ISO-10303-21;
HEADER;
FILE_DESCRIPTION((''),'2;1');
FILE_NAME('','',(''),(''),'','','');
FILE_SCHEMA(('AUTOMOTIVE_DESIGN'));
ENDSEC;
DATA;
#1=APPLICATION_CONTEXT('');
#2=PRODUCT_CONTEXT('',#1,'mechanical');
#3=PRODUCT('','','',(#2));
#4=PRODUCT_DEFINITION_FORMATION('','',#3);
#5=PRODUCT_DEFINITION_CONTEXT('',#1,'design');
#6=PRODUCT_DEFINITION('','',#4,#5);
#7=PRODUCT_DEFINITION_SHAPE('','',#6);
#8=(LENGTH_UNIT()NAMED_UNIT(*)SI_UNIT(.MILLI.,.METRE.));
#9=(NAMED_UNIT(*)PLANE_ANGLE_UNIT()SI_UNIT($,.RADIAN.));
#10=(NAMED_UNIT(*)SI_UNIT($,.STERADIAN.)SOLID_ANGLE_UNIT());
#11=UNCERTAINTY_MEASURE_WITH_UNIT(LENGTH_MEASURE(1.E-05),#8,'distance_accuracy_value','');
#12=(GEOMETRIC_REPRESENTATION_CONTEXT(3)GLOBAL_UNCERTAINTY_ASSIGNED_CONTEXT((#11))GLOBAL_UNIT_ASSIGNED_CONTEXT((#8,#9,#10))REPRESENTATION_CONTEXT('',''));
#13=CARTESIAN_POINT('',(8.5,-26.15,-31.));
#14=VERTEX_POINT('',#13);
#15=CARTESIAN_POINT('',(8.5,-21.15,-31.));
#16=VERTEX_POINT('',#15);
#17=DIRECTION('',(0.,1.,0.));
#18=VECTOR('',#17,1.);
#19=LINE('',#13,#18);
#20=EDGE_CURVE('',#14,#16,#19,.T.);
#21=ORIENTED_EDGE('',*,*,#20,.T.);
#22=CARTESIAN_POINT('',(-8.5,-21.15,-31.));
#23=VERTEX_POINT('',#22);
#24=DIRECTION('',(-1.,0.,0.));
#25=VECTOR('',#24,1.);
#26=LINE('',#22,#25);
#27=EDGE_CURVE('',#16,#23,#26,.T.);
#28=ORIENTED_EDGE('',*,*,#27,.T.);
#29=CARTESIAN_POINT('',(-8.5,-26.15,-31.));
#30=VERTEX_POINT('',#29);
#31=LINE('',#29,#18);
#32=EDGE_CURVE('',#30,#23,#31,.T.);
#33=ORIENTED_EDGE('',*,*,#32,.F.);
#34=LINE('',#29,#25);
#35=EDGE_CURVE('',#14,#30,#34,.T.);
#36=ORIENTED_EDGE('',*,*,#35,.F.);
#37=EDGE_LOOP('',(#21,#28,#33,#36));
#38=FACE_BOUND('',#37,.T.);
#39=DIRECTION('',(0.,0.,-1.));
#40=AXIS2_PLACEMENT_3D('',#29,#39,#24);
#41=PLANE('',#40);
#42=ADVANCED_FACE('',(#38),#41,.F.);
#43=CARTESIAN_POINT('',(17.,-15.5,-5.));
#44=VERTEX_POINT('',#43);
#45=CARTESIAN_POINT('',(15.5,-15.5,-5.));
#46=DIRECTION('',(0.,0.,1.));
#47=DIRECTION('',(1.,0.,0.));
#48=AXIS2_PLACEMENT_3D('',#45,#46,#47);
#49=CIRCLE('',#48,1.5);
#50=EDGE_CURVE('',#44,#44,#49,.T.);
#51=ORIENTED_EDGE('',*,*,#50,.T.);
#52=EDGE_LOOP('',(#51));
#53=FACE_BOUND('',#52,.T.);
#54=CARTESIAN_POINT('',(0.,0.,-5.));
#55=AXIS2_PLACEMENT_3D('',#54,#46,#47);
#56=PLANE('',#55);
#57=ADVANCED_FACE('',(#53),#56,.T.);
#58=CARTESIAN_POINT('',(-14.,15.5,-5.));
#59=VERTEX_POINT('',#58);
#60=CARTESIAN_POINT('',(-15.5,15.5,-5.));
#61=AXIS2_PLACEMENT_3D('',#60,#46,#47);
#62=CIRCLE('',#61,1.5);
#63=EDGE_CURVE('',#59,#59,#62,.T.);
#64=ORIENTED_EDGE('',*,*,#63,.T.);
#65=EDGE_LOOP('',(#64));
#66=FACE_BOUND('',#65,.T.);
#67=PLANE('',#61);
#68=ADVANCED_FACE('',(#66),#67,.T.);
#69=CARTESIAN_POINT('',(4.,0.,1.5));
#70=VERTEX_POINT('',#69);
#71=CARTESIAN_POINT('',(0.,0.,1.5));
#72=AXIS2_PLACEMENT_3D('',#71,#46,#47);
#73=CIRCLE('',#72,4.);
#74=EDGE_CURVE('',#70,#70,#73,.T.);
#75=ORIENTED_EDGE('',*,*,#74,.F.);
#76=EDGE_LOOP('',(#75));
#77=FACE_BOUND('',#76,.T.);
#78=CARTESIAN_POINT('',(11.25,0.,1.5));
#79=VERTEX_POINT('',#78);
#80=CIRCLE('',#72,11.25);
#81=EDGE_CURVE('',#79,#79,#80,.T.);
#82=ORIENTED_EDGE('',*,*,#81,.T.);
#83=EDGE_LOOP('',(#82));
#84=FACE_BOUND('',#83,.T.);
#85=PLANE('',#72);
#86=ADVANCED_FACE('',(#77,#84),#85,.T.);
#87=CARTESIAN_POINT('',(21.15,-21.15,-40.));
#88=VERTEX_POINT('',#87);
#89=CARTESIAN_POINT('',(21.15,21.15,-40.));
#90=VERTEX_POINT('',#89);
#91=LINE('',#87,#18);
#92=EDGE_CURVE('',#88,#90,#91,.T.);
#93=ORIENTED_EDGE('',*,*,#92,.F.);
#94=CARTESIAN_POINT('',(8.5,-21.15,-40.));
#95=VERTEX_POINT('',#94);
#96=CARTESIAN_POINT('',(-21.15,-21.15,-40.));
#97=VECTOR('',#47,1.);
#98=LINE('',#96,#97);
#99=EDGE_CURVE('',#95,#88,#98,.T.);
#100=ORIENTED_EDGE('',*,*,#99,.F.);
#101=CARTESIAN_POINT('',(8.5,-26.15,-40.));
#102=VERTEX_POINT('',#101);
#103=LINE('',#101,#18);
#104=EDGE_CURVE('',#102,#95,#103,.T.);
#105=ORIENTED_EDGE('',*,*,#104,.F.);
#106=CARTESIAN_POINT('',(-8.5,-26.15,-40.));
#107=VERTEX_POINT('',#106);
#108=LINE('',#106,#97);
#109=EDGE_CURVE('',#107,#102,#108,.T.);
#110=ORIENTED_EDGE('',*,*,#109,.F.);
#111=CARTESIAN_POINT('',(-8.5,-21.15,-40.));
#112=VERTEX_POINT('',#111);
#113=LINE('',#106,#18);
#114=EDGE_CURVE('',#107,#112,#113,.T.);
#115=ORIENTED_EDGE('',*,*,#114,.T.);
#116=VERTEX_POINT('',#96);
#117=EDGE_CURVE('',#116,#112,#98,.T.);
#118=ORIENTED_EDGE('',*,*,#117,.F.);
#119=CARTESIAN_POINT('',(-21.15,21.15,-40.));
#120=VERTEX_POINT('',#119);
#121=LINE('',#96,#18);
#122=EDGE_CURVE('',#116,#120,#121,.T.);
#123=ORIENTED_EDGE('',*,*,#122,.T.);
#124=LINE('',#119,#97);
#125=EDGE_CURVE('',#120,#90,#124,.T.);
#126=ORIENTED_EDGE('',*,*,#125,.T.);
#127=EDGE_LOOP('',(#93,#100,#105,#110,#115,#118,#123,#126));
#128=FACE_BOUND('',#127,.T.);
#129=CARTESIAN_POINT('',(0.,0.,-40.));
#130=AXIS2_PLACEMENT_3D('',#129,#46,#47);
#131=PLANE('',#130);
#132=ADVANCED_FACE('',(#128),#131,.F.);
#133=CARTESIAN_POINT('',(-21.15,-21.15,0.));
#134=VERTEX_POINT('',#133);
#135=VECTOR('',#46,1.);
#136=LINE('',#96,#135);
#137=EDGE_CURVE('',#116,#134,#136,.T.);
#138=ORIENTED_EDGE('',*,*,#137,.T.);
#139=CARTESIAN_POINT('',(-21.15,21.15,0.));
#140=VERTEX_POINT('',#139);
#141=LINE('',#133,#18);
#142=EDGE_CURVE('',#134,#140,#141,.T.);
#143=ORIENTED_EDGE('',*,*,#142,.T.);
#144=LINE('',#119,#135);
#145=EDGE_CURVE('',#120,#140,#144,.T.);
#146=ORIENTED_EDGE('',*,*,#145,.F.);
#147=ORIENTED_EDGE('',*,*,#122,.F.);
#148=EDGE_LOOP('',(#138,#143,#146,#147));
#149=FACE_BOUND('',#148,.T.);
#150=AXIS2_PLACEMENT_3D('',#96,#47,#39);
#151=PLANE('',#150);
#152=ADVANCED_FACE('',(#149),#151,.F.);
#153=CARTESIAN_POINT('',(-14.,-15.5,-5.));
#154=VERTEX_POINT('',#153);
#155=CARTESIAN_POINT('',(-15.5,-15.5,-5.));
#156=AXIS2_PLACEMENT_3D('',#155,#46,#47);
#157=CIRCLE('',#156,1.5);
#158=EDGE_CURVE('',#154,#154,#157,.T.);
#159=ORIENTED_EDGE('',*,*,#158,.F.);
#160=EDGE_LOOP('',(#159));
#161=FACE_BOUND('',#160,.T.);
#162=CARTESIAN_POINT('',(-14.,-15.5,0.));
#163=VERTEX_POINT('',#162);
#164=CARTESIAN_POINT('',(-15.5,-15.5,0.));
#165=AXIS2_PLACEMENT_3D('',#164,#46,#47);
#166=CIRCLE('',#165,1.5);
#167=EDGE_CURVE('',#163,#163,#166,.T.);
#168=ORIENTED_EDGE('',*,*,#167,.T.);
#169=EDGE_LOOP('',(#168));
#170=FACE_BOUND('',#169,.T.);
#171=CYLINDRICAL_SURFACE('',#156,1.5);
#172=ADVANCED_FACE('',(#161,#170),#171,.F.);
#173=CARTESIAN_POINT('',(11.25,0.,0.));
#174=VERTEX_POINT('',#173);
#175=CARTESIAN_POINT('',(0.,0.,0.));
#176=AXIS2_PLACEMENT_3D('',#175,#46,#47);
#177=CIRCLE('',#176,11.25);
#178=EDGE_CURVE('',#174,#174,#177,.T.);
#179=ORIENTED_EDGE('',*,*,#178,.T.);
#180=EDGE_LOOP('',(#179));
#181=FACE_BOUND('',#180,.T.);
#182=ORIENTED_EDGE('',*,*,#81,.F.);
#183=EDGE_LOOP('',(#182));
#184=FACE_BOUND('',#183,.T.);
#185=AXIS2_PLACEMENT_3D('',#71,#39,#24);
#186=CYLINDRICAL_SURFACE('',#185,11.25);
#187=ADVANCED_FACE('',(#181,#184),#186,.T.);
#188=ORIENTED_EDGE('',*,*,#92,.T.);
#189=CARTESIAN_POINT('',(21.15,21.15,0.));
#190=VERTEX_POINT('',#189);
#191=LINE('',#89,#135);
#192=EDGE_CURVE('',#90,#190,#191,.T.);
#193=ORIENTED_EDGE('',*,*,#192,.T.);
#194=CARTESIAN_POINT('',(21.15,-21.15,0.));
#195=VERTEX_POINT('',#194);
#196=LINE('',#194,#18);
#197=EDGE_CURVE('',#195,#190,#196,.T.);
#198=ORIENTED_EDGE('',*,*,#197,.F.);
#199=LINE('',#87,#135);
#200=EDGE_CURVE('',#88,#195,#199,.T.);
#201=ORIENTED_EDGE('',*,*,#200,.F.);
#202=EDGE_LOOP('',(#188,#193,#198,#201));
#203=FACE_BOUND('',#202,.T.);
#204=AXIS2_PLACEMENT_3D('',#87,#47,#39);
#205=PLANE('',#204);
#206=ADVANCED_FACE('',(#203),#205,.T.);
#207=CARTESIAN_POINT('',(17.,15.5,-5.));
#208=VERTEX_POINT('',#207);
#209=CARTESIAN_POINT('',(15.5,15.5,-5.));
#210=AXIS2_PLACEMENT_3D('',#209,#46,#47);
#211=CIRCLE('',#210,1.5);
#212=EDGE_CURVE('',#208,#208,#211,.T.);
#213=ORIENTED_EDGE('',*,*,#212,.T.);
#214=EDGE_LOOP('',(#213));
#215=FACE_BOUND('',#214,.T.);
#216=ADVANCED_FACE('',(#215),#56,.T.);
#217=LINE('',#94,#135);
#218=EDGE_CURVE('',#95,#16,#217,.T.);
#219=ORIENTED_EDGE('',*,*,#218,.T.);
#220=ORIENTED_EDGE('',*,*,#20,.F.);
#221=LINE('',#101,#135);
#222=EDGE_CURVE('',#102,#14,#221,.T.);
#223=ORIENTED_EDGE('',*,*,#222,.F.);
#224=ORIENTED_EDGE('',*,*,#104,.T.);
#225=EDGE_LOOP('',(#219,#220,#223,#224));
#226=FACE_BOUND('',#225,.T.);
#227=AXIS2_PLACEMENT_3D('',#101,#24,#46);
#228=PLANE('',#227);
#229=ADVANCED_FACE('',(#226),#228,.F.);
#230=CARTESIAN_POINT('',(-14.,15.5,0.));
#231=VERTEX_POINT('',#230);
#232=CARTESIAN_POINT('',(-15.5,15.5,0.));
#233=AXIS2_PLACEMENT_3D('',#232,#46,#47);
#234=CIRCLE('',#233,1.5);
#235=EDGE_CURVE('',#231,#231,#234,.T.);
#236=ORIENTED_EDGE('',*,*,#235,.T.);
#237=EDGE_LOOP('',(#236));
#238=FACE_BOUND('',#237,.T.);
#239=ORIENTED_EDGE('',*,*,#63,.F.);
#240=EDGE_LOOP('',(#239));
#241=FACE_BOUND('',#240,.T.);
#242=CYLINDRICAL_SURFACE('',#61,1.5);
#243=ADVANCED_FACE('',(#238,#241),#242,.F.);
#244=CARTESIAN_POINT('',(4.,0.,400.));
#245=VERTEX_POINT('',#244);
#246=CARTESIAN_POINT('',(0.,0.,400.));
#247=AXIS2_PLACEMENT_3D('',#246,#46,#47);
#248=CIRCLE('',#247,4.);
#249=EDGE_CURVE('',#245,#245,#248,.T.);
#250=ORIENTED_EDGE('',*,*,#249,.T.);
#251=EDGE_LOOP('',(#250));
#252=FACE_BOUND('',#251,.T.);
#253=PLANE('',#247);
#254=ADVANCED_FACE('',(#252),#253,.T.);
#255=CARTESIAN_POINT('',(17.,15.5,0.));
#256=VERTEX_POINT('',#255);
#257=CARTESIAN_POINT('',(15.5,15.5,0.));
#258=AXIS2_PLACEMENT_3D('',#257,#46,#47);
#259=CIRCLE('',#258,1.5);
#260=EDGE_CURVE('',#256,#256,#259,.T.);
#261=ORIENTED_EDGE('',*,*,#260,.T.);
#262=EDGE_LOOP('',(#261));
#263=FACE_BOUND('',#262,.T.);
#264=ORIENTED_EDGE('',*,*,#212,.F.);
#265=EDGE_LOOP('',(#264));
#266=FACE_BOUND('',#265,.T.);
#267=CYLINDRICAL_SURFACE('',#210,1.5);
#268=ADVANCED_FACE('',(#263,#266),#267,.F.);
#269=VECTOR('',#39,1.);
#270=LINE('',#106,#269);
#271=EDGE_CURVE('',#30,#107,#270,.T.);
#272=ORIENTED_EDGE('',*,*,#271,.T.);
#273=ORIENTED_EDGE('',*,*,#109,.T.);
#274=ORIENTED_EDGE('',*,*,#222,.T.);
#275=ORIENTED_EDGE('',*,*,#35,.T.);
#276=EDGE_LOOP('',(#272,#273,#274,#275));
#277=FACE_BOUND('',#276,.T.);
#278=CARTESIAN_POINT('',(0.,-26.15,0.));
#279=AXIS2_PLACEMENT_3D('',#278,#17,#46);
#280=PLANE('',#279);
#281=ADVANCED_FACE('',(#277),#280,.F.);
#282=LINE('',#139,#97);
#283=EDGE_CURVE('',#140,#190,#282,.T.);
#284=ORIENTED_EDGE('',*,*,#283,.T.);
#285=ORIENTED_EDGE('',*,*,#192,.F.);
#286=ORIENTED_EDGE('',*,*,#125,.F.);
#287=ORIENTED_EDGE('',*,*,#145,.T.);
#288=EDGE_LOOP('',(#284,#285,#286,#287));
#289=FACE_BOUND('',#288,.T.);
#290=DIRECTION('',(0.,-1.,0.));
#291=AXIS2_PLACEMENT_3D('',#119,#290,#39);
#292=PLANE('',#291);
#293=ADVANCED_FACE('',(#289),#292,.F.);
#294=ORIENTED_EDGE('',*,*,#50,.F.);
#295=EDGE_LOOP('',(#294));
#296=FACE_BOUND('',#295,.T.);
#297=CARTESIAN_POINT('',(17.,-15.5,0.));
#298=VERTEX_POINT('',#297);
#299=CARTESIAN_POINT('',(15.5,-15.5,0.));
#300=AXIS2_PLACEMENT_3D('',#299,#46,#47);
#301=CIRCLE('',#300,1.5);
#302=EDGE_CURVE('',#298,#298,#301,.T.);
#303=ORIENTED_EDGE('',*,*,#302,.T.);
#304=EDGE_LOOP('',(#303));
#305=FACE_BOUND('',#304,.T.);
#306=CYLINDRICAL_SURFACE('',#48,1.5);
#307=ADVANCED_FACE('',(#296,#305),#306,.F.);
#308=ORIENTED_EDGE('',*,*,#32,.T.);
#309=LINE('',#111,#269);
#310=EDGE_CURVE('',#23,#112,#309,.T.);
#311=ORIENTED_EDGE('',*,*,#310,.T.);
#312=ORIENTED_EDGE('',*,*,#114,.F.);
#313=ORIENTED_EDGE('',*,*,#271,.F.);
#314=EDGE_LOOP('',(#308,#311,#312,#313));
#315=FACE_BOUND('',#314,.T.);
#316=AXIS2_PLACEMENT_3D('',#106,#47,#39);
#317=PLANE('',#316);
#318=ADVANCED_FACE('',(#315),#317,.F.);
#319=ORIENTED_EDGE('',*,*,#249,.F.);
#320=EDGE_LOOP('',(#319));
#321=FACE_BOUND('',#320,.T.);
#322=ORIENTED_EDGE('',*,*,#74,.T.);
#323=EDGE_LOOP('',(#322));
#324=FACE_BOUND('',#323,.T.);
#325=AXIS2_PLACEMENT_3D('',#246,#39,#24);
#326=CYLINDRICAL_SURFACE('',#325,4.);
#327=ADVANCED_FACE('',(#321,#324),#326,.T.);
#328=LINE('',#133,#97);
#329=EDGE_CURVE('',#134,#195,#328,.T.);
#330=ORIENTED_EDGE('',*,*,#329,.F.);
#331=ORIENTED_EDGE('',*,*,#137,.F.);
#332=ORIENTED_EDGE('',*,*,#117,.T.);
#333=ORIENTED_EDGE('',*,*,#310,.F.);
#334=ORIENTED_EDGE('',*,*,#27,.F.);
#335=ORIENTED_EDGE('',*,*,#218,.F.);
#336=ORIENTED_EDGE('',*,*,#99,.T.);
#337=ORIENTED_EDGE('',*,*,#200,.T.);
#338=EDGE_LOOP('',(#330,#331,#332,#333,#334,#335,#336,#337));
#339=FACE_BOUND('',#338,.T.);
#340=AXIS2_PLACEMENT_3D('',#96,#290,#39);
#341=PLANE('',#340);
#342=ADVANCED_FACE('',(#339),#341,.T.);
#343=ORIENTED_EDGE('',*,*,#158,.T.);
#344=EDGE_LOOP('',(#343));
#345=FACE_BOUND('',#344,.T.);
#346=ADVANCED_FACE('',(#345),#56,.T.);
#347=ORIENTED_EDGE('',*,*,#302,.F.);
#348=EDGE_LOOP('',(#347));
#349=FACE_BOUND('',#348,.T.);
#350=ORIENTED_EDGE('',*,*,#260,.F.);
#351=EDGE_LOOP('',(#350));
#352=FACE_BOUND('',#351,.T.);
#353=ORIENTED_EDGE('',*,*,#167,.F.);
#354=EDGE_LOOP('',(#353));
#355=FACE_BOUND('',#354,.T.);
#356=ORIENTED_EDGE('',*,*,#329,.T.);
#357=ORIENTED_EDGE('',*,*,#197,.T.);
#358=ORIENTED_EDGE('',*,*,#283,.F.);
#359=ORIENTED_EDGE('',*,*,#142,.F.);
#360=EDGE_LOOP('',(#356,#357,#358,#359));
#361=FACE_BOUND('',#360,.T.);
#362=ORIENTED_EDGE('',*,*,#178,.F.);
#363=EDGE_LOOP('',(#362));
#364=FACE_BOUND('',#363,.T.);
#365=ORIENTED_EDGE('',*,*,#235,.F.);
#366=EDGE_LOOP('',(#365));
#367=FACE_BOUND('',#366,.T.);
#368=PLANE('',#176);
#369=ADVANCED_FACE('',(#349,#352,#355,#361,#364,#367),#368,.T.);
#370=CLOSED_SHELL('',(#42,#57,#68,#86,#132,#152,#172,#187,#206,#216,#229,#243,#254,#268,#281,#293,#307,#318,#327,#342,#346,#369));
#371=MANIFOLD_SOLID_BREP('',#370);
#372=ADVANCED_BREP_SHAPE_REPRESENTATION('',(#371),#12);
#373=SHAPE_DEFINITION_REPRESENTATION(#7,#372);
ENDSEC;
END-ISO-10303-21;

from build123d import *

# Parameters (mm, degrees)
SKETCH1_W           = 42.3
SKETCH1_H           = 42.3
BOSS_EXTRUDE1_DEPTH = 40
SKETCH1_3_R         = 1.5
CUT_EXTRUDE1_DEPTH  = 5
SKETCH1_4_R         = 11.25
SKETCH1_4_R_2       = 4
BOSS_EXTRUDE2_DEPTH = 1.5
SKETCH1_5_R         = 4
BOSS_EXTRUDE3_DEPTH = 400
SKETCH3_W           = 17
SKETCH3_H           = 9
BOSS_EXTRUDE4_DEPTH = 5


with BuildPart() as part:
    # Sketch1 → Boss-Extrude1 (new body)
    with BuildSketch(Plane.XY):
        Rectangle(SKETCH1_W, SKETCH1_H)
    extrude(amount=-BOSS_EXTRUDE1_DEPTH)

    # Sketch1<3> → Cut-Extrude1 (cut)
    with BuildSketch(Plane.XY):
        with Locations((-15.5, -15.5)):
            Circle(SKETCH1_3_R)
        with Locations((15.5, 15.5)):
            Circle(SKETCH1_3_R)
        with Locations((15.5, -15.5)):
            Circle(SKETCH1_3_R)
        with Locations((-15.5, 15.5)):
            Circle(SKETCH1_3_R)
    extrude(amount=-CUT_EXTRUDE1_DEPTH, mode=Mode.SUBTRACT)

    # Sketch1<4> → Boss-Extrude2 (add)
    with BuildSketch(Plane.XY):
        Circle(SKETCH1_4_R)
        Circle(SKETCH1_4_R_2, mode=Mode.SUBTRACT)
    extrude(amount=BOSS_EXTRUDE2_DEPTH)

    # Sketch1<5> → Boss-Extrude3 (add)
    with BuildSketch(Plane.XY):
        Circle(SKETCH1_5_R)
    extrude(amount=BOSS_EXTRUDE3_DEPTH)

    # Sketch3 → Boss-Extrude4 (add)
    with BuildSketch(Plane.XZ.offset(21.15)):
        with Locations((0, -35.5)):
            Rectangle(SKETCH3_W, SKETCH3_H)
    extrude(amount=BOSS_EXTRUDE4_DEPTH)


solid = part.part
